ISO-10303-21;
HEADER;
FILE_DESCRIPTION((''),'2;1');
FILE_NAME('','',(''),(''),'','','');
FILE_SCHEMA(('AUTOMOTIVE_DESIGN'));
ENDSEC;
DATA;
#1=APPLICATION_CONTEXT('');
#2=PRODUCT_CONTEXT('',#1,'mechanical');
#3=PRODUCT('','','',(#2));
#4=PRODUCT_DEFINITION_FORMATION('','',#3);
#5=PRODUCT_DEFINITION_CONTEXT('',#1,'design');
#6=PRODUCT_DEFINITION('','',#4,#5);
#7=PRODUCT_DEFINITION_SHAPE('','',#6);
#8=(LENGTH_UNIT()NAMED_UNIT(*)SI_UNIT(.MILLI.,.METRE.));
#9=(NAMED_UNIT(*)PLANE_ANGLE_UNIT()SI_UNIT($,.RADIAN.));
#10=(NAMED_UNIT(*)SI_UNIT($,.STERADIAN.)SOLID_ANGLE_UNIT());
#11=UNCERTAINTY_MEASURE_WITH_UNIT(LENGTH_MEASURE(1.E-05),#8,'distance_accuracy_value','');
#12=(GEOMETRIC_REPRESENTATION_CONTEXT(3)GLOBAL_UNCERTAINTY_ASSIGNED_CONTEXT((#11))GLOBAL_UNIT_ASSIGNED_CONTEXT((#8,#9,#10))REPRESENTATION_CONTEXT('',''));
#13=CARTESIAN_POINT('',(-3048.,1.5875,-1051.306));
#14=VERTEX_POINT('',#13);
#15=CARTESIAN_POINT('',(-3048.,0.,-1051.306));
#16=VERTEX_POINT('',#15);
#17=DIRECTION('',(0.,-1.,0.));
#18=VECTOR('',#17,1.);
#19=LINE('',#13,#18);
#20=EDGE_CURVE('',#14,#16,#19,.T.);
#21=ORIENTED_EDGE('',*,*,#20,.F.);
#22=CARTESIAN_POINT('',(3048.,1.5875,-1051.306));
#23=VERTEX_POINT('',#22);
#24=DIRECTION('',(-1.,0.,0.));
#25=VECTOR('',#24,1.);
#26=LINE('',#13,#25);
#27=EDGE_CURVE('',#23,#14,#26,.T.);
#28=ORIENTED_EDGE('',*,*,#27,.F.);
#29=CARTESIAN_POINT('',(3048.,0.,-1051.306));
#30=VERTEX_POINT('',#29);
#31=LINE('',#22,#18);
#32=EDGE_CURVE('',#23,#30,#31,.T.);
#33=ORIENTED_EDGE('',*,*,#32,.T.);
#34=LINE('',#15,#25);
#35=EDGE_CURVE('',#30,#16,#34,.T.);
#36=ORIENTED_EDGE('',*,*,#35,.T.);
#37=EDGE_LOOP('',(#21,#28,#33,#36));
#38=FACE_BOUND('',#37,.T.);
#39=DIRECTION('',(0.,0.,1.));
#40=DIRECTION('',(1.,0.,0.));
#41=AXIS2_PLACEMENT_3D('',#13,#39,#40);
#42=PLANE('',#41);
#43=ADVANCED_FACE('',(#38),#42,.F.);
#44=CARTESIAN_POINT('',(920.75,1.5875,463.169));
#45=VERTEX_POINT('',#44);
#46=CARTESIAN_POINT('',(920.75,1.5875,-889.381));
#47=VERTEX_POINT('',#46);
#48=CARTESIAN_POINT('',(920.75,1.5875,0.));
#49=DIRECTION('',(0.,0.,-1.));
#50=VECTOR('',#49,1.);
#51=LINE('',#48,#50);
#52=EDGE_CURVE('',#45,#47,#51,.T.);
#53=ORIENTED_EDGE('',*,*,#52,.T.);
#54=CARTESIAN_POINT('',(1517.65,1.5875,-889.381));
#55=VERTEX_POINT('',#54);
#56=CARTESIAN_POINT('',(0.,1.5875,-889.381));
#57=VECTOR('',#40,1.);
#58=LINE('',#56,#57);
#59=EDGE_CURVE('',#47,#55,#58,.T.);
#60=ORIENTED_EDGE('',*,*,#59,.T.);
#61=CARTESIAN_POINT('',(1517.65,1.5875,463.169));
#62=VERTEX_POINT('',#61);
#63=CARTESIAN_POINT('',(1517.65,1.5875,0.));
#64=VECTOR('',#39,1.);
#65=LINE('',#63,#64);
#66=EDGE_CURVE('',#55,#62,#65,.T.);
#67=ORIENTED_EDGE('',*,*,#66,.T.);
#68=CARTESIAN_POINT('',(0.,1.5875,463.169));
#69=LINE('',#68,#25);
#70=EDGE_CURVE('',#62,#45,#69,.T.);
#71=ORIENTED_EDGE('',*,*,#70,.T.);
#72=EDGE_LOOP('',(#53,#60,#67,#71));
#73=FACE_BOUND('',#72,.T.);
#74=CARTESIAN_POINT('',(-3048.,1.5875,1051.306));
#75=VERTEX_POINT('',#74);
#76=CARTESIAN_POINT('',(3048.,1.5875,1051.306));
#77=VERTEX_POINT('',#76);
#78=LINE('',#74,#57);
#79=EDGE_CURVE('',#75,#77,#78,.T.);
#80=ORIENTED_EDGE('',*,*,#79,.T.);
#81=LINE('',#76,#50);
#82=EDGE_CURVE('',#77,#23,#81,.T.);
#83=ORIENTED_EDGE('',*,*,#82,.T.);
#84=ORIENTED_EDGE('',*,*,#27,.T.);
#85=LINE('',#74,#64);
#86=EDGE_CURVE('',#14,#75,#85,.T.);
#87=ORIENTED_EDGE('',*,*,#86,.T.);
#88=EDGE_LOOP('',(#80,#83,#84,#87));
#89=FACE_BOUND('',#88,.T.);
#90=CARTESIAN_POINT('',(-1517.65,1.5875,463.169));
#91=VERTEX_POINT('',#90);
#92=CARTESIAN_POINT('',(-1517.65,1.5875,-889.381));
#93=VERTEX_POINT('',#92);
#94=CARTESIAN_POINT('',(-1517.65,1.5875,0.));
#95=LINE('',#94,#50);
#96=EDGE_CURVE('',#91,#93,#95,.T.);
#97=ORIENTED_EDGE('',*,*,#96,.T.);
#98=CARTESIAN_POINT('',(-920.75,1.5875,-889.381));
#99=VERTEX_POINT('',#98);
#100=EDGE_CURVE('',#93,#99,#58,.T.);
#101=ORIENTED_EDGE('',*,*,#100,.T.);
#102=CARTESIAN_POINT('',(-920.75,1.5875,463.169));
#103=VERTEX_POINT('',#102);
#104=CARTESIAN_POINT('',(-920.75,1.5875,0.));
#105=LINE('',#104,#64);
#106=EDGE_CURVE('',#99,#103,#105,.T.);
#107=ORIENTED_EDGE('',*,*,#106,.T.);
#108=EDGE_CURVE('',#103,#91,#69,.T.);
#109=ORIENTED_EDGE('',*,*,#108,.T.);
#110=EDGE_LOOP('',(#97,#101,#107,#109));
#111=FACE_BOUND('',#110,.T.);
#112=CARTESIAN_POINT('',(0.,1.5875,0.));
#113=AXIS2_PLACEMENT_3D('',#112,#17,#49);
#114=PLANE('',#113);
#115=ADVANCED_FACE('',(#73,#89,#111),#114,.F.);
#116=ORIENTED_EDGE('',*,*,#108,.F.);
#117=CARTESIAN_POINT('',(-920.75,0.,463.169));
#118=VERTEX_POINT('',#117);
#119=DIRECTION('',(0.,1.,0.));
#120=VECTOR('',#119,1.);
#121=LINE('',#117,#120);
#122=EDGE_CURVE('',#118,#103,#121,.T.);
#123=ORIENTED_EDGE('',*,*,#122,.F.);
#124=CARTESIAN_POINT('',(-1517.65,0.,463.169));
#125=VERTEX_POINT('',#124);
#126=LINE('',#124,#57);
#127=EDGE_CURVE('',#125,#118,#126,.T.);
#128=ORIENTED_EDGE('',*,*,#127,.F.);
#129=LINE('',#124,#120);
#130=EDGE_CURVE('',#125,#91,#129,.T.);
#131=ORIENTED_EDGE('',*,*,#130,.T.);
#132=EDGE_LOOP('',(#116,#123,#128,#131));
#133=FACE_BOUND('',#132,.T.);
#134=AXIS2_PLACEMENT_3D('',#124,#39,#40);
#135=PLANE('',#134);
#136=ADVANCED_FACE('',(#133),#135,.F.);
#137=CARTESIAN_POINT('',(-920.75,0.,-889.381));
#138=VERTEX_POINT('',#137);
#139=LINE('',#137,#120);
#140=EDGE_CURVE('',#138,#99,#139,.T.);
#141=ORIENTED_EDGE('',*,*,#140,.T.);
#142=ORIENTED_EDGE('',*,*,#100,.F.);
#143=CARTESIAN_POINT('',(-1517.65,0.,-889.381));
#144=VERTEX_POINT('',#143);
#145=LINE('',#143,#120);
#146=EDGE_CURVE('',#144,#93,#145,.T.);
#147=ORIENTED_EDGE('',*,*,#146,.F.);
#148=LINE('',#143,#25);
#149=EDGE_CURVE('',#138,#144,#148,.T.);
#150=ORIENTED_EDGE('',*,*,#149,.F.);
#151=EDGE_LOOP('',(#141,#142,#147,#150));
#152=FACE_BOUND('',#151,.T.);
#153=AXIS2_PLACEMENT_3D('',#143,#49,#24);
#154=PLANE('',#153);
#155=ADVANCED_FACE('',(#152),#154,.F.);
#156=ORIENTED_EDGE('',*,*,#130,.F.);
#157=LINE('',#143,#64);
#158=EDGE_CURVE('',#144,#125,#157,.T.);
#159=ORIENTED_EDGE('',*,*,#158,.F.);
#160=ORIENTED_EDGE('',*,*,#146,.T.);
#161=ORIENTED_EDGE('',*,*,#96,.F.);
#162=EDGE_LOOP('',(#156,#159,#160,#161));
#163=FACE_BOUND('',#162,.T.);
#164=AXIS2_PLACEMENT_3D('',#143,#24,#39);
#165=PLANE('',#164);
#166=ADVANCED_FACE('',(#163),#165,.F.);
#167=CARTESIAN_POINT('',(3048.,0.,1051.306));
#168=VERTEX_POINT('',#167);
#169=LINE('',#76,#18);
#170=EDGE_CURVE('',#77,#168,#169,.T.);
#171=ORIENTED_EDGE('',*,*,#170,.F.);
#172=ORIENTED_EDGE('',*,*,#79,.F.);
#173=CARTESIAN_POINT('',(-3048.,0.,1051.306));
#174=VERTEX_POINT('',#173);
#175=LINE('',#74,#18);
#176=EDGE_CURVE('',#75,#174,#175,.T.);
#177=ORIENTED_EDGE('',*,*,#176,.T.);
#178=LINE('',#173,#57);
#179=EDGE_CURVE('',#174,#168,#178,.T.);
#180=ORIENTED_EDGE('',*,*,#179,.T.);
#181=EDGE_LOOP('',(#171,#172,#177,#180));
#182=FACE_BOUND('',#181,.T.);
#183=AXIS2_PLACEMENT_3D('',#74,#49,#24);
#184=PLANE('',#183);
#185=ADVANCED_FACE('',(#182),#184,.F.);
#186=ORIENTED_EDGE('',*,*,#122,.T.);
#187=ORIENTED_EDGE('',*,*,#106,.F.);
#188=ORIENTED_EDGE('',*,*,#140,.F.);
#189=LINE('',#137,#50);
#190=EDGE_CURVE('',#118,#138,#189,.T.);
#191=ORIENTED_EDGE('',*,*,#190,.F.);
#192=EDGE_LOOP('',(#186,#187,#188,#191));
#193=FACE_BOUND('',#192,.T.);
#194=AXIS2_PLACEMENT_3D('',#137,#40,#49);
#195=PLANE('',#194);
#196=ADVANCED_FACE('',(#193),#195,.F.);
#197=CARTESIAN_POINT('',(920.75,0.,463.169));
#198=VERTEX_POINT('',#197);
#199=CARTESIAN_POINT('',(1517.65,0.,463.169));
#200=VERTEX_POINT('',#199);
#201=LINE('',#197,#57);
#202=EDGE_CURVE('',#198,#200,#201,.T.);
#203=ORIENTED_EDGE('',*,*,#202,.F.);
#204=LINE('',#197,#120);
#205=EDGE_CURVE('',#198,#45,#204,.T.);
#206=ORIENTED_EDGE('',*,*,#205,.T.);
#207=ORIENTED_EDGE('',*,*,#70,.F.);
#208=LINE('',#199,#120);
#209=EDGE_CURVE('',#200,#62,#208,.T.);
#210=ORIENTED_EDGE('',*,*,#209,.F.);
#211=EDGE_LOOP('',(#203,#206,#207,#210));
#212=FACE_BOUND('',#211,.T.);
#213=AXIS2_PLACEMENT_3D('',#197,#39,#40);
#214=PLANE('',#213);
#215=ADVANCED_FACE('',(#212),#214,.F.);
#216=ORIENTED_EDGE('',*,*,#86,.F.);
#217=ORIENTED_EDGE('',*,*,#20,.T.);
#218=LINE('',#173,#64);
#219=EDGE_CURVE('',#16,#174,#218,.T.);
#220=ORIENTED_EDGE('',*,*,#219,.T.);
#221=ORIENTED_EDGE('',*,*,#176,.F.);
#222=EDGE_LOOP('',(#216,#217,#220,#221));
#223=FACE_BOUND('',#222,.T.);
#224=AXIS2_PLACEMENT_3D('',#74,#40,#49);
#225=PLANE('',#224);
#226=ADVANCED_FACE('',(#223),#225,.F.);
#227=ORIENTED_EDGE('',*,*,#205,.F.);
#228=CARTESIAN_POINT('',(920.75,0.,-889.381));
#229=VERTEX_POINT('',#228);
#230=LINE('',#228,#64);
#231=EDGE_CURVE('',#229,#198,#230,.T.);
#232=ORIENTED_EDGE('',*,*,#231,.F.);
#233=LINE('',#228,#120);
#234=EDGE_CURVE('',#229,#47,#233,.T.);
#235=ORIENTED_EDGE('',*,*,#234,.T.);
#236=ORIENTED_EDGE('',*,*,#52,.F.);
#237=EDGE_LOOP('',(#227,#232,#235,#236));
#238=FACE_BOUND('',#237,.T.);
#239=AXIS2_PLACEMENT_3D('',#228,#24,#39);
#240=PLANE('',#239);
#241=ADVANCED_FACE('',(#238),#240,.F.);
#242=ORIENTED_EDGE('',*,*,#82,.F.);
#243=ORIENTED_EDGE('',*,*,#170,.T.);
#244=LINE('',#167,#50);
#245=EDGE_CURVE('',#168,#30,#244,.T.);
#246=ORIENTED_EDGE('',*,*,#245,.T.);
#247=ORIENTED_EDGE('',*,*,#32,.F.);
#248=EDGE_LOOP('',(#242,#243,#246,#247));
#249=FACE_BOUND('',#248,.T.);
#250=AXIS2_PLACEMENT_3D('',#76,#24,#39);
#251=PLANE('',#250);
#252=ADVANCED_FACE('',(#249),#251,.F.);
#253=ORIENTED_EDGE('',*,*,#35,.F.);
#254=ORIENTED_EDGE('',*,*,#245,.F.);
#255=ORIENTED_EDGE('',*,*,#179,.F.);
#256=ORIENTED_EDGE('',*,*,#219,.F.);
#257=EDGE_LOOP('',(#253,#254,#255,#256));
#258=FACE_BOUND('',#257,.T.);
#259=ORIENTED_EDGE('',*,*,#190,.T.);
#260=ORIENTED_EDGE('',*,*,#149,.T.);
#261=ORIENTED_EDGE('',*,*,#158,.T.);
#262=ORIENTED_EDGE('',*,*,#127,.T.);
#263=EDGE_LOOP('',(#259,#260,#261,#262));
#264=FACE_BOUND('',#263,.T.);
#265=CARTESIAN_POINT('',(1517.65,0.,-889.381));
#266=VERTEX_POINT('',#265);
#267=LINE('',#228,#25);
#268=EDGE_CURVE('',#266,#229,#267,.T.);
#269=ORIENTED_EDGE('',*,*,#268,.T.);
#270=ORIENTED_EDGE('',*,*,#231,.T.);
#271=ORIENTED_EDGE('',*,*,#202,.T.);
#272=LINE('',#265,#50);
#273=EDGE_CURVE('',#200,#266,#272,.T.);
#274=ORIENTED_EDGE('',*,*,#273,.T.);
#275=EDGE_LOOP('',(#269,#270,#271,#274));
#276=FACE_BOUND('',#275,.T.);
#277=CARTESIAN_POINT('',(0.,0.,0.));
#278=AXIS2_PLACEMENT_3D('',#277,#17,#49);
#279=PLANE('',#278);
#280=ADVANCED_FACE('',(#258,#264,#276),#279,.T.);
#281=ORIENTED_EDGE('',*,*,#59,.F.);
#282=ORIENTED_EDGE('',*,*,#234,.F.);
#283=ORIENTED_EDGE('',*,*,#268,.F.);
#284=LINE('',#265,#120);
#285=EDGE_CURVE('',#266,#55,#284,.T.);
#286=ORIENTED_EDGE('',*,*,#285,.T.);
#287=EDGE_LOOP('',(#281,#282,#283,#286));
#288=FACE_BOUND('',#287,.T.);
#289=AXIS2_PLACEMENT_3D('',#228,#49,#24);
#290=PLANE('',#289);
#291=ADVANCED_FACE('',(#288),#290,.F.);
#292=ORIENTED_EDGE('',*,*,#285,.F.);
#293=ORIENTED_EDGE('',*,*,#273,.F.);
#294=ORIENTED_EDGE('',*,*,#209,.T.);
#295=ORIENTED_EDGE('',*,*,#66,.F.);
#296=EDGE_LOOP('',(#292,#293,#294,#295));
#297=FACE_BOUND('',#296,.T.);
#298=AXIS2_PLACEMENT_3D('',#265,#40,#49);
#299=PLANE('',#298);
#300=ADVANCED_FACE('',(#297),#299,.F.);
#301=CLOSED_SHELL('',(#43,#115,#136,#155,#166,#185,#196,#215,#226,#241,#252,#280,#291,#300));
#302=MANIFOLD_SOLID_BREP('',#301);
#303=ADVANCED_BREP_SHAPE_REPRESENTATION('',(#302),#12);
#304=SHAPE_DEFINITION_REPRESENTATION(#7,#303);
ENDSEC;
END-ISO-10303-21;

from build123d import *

# Parameters (mm, degrees)
SKETCH1_W               = 6096
SKETCH1_H               = 2102.612
BOSS_EXTRUDE1_DEPTH     = 1.5875
CUT_EXTRUDE1_DEPTH      = 3225.21321035
CUT_EXTRUDE1_DEPTH_BACK = 3225.21321035
SKETCH2_W               = 596.9
SKETCH2_H               = 1352.55


with BuildPart() as part:
    # Sketch1 → Boss-Extrude1 (new body)
    with BuildSketch(Plane(origin=(0, 0, 0), x_dir=(1, 0, 0), z_dir=(0, 1, 0))):
        Rectangle(SKETCH1_W, SKETCH1_H)
    extrude(amount=BOSS_EXTRUDE1_DEPTH)

    # Sketch2 → Cut-Extrude1 (cut, two sides: drawn at the far end of the back side and taken through both)
    with BuildSketch(Plane(origin=(0, 1.5875, 0), x_dir=(1, 0, 0), z_dir=(0, 1, 0)).offset(-CUT_EXTRUDE1_DEPTH_BACK)):
        with Locations((-1219.2, 213.106)):
            Rectangle(SKETCH2_W, SKETCH2_H)
        with Locations((1219.2, 213.106)):
            Rectangle(SKETCH2_W, SKETCH2_H)
    extrude(amount=CUT_EXTRUDE1_DEPTH + CUT_EXTRUDE1_DEPTH_BACK, mode=Mode.SUBTRACT)


solid = part.part
